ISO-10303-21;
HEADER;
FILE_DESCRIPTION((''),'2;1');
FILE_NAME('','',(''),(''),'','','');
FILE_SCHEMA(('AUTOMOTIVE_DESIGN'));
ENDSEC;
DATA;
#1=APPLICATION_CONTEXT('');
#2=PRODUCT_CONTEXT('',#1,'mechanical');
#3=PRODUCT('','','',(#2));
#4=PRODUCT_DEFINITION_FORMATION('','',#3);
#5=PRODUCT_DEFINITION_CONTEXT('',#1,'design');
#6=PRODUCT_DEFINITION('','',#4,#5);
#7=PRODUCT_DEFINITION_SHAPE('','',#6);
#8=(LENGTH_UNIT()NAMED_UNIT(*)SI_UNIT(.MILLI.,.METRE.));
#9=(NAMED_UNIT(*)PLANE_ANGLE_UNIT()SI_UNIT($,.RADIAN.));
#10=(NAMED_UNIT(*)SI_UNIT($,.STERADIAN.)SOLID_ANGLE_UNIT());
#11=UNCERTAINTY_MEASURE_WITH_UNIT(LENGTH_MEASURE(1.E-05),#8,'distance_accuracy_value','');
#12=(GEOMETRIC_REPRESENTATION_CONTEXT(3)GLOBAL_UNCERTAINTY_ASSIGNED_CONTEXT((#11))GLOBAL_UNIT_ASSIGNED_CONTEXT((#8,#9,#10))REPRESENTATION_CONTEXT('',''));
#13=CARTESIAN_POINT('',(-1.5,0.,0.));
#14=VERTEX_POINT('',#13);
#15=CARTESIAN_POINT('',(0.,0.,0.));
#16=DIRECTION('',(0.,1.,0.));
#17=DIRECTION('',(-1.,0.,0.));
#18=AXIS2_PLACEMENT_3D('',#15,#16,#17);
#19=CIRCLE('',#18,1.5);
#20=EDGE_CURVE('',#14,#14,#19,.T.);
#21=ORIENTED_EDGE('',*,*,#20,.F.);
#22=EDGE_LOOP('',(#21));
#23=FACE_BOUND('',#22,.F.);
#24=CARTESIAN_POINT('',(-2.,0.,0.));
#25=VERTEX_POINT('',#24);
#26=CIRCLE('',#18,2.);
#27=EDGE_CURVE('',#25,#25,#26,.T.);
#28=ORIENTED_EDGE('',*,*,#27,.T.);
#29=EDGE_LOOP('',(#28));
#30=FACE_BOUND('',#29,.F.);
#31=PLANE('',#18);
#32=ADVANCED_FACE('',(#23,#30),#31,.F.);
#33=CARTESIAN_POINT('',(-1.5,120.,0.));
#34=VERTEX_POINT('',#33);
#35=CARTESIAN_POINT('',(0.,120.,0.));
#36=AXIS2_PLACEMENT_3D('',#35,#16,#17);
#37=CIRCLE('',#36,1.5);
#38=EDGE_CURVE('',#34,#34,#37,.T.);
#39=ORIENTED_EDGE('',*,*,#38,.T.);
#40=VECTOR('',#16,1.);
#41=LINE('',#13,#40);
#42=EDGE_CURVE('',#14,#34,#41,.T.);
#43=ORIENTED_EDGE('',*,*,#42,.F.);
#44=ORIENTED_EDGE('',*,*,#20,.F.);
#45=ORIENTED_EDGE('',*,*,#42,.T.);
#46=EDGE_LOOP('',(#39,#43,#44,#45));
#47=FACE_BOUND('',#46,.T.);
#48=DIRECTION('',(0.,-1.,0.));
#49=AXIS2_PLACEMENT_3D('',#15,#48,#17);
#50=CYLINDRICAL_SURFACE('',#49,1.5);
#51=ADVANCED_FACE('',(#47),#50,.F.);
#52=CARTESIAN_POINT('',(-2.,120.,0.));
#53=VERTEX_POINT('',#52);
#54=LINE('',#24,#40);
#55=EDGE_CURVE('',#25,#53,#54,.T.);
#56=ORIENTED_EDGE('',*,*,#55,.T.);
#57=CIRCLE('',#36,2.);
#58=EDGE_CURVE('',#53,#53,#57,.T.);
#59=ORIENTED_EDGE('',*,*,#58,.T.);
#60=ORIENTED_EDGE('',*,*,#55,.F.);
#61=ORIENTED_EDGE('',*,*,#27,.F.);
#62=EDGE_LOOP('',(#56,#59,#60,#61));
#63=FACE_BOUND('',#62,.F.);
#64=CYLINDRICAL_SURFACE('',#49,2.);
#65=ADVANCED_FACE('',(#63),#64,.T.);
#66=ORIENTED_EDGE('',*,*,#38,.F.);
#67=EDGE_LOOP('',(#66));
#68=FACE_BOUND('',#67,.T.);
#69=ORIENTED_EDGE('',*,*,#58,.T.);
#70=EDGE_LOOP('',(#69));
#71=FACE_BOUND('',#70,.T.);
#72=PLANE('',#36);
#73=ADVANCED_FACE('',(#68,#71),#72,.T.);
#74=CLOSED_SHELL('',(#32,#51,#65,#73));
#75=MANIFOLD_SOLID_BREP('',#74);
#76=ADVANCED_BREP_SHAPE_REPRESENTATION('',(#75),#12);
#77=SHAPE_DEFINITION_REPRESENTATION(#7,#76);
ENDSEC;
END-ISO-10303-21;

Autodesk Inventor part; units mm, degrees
ref_plane "YZ Plane" through (0, 0, 0) normal (1, 0, 0) x (0, 1, 0)
ref_plane "XZ Plane" through (0, 0, 0) normal (0, 1, 0) x (-1, 0, 0)
ref_plane "XY Plane" through (0, 0, 0) normal (0, 0, 1) x (1, 0, 0)
sketch "Sketch1" plane through (0, 0, 0) normal (0, 1, 0) x (-1, 0, 0)
  circle A0 centre (0, 0) radius 1.5
  circle A1 centre (0, 0) radius 2
  dimension "d0" = 3
  dimension "d1" = 4
extrude "Extrusion1" add sketch "Sketch1" along normal blind 120
properties part number "dummy_mckibben_pam_tube_4mm"
